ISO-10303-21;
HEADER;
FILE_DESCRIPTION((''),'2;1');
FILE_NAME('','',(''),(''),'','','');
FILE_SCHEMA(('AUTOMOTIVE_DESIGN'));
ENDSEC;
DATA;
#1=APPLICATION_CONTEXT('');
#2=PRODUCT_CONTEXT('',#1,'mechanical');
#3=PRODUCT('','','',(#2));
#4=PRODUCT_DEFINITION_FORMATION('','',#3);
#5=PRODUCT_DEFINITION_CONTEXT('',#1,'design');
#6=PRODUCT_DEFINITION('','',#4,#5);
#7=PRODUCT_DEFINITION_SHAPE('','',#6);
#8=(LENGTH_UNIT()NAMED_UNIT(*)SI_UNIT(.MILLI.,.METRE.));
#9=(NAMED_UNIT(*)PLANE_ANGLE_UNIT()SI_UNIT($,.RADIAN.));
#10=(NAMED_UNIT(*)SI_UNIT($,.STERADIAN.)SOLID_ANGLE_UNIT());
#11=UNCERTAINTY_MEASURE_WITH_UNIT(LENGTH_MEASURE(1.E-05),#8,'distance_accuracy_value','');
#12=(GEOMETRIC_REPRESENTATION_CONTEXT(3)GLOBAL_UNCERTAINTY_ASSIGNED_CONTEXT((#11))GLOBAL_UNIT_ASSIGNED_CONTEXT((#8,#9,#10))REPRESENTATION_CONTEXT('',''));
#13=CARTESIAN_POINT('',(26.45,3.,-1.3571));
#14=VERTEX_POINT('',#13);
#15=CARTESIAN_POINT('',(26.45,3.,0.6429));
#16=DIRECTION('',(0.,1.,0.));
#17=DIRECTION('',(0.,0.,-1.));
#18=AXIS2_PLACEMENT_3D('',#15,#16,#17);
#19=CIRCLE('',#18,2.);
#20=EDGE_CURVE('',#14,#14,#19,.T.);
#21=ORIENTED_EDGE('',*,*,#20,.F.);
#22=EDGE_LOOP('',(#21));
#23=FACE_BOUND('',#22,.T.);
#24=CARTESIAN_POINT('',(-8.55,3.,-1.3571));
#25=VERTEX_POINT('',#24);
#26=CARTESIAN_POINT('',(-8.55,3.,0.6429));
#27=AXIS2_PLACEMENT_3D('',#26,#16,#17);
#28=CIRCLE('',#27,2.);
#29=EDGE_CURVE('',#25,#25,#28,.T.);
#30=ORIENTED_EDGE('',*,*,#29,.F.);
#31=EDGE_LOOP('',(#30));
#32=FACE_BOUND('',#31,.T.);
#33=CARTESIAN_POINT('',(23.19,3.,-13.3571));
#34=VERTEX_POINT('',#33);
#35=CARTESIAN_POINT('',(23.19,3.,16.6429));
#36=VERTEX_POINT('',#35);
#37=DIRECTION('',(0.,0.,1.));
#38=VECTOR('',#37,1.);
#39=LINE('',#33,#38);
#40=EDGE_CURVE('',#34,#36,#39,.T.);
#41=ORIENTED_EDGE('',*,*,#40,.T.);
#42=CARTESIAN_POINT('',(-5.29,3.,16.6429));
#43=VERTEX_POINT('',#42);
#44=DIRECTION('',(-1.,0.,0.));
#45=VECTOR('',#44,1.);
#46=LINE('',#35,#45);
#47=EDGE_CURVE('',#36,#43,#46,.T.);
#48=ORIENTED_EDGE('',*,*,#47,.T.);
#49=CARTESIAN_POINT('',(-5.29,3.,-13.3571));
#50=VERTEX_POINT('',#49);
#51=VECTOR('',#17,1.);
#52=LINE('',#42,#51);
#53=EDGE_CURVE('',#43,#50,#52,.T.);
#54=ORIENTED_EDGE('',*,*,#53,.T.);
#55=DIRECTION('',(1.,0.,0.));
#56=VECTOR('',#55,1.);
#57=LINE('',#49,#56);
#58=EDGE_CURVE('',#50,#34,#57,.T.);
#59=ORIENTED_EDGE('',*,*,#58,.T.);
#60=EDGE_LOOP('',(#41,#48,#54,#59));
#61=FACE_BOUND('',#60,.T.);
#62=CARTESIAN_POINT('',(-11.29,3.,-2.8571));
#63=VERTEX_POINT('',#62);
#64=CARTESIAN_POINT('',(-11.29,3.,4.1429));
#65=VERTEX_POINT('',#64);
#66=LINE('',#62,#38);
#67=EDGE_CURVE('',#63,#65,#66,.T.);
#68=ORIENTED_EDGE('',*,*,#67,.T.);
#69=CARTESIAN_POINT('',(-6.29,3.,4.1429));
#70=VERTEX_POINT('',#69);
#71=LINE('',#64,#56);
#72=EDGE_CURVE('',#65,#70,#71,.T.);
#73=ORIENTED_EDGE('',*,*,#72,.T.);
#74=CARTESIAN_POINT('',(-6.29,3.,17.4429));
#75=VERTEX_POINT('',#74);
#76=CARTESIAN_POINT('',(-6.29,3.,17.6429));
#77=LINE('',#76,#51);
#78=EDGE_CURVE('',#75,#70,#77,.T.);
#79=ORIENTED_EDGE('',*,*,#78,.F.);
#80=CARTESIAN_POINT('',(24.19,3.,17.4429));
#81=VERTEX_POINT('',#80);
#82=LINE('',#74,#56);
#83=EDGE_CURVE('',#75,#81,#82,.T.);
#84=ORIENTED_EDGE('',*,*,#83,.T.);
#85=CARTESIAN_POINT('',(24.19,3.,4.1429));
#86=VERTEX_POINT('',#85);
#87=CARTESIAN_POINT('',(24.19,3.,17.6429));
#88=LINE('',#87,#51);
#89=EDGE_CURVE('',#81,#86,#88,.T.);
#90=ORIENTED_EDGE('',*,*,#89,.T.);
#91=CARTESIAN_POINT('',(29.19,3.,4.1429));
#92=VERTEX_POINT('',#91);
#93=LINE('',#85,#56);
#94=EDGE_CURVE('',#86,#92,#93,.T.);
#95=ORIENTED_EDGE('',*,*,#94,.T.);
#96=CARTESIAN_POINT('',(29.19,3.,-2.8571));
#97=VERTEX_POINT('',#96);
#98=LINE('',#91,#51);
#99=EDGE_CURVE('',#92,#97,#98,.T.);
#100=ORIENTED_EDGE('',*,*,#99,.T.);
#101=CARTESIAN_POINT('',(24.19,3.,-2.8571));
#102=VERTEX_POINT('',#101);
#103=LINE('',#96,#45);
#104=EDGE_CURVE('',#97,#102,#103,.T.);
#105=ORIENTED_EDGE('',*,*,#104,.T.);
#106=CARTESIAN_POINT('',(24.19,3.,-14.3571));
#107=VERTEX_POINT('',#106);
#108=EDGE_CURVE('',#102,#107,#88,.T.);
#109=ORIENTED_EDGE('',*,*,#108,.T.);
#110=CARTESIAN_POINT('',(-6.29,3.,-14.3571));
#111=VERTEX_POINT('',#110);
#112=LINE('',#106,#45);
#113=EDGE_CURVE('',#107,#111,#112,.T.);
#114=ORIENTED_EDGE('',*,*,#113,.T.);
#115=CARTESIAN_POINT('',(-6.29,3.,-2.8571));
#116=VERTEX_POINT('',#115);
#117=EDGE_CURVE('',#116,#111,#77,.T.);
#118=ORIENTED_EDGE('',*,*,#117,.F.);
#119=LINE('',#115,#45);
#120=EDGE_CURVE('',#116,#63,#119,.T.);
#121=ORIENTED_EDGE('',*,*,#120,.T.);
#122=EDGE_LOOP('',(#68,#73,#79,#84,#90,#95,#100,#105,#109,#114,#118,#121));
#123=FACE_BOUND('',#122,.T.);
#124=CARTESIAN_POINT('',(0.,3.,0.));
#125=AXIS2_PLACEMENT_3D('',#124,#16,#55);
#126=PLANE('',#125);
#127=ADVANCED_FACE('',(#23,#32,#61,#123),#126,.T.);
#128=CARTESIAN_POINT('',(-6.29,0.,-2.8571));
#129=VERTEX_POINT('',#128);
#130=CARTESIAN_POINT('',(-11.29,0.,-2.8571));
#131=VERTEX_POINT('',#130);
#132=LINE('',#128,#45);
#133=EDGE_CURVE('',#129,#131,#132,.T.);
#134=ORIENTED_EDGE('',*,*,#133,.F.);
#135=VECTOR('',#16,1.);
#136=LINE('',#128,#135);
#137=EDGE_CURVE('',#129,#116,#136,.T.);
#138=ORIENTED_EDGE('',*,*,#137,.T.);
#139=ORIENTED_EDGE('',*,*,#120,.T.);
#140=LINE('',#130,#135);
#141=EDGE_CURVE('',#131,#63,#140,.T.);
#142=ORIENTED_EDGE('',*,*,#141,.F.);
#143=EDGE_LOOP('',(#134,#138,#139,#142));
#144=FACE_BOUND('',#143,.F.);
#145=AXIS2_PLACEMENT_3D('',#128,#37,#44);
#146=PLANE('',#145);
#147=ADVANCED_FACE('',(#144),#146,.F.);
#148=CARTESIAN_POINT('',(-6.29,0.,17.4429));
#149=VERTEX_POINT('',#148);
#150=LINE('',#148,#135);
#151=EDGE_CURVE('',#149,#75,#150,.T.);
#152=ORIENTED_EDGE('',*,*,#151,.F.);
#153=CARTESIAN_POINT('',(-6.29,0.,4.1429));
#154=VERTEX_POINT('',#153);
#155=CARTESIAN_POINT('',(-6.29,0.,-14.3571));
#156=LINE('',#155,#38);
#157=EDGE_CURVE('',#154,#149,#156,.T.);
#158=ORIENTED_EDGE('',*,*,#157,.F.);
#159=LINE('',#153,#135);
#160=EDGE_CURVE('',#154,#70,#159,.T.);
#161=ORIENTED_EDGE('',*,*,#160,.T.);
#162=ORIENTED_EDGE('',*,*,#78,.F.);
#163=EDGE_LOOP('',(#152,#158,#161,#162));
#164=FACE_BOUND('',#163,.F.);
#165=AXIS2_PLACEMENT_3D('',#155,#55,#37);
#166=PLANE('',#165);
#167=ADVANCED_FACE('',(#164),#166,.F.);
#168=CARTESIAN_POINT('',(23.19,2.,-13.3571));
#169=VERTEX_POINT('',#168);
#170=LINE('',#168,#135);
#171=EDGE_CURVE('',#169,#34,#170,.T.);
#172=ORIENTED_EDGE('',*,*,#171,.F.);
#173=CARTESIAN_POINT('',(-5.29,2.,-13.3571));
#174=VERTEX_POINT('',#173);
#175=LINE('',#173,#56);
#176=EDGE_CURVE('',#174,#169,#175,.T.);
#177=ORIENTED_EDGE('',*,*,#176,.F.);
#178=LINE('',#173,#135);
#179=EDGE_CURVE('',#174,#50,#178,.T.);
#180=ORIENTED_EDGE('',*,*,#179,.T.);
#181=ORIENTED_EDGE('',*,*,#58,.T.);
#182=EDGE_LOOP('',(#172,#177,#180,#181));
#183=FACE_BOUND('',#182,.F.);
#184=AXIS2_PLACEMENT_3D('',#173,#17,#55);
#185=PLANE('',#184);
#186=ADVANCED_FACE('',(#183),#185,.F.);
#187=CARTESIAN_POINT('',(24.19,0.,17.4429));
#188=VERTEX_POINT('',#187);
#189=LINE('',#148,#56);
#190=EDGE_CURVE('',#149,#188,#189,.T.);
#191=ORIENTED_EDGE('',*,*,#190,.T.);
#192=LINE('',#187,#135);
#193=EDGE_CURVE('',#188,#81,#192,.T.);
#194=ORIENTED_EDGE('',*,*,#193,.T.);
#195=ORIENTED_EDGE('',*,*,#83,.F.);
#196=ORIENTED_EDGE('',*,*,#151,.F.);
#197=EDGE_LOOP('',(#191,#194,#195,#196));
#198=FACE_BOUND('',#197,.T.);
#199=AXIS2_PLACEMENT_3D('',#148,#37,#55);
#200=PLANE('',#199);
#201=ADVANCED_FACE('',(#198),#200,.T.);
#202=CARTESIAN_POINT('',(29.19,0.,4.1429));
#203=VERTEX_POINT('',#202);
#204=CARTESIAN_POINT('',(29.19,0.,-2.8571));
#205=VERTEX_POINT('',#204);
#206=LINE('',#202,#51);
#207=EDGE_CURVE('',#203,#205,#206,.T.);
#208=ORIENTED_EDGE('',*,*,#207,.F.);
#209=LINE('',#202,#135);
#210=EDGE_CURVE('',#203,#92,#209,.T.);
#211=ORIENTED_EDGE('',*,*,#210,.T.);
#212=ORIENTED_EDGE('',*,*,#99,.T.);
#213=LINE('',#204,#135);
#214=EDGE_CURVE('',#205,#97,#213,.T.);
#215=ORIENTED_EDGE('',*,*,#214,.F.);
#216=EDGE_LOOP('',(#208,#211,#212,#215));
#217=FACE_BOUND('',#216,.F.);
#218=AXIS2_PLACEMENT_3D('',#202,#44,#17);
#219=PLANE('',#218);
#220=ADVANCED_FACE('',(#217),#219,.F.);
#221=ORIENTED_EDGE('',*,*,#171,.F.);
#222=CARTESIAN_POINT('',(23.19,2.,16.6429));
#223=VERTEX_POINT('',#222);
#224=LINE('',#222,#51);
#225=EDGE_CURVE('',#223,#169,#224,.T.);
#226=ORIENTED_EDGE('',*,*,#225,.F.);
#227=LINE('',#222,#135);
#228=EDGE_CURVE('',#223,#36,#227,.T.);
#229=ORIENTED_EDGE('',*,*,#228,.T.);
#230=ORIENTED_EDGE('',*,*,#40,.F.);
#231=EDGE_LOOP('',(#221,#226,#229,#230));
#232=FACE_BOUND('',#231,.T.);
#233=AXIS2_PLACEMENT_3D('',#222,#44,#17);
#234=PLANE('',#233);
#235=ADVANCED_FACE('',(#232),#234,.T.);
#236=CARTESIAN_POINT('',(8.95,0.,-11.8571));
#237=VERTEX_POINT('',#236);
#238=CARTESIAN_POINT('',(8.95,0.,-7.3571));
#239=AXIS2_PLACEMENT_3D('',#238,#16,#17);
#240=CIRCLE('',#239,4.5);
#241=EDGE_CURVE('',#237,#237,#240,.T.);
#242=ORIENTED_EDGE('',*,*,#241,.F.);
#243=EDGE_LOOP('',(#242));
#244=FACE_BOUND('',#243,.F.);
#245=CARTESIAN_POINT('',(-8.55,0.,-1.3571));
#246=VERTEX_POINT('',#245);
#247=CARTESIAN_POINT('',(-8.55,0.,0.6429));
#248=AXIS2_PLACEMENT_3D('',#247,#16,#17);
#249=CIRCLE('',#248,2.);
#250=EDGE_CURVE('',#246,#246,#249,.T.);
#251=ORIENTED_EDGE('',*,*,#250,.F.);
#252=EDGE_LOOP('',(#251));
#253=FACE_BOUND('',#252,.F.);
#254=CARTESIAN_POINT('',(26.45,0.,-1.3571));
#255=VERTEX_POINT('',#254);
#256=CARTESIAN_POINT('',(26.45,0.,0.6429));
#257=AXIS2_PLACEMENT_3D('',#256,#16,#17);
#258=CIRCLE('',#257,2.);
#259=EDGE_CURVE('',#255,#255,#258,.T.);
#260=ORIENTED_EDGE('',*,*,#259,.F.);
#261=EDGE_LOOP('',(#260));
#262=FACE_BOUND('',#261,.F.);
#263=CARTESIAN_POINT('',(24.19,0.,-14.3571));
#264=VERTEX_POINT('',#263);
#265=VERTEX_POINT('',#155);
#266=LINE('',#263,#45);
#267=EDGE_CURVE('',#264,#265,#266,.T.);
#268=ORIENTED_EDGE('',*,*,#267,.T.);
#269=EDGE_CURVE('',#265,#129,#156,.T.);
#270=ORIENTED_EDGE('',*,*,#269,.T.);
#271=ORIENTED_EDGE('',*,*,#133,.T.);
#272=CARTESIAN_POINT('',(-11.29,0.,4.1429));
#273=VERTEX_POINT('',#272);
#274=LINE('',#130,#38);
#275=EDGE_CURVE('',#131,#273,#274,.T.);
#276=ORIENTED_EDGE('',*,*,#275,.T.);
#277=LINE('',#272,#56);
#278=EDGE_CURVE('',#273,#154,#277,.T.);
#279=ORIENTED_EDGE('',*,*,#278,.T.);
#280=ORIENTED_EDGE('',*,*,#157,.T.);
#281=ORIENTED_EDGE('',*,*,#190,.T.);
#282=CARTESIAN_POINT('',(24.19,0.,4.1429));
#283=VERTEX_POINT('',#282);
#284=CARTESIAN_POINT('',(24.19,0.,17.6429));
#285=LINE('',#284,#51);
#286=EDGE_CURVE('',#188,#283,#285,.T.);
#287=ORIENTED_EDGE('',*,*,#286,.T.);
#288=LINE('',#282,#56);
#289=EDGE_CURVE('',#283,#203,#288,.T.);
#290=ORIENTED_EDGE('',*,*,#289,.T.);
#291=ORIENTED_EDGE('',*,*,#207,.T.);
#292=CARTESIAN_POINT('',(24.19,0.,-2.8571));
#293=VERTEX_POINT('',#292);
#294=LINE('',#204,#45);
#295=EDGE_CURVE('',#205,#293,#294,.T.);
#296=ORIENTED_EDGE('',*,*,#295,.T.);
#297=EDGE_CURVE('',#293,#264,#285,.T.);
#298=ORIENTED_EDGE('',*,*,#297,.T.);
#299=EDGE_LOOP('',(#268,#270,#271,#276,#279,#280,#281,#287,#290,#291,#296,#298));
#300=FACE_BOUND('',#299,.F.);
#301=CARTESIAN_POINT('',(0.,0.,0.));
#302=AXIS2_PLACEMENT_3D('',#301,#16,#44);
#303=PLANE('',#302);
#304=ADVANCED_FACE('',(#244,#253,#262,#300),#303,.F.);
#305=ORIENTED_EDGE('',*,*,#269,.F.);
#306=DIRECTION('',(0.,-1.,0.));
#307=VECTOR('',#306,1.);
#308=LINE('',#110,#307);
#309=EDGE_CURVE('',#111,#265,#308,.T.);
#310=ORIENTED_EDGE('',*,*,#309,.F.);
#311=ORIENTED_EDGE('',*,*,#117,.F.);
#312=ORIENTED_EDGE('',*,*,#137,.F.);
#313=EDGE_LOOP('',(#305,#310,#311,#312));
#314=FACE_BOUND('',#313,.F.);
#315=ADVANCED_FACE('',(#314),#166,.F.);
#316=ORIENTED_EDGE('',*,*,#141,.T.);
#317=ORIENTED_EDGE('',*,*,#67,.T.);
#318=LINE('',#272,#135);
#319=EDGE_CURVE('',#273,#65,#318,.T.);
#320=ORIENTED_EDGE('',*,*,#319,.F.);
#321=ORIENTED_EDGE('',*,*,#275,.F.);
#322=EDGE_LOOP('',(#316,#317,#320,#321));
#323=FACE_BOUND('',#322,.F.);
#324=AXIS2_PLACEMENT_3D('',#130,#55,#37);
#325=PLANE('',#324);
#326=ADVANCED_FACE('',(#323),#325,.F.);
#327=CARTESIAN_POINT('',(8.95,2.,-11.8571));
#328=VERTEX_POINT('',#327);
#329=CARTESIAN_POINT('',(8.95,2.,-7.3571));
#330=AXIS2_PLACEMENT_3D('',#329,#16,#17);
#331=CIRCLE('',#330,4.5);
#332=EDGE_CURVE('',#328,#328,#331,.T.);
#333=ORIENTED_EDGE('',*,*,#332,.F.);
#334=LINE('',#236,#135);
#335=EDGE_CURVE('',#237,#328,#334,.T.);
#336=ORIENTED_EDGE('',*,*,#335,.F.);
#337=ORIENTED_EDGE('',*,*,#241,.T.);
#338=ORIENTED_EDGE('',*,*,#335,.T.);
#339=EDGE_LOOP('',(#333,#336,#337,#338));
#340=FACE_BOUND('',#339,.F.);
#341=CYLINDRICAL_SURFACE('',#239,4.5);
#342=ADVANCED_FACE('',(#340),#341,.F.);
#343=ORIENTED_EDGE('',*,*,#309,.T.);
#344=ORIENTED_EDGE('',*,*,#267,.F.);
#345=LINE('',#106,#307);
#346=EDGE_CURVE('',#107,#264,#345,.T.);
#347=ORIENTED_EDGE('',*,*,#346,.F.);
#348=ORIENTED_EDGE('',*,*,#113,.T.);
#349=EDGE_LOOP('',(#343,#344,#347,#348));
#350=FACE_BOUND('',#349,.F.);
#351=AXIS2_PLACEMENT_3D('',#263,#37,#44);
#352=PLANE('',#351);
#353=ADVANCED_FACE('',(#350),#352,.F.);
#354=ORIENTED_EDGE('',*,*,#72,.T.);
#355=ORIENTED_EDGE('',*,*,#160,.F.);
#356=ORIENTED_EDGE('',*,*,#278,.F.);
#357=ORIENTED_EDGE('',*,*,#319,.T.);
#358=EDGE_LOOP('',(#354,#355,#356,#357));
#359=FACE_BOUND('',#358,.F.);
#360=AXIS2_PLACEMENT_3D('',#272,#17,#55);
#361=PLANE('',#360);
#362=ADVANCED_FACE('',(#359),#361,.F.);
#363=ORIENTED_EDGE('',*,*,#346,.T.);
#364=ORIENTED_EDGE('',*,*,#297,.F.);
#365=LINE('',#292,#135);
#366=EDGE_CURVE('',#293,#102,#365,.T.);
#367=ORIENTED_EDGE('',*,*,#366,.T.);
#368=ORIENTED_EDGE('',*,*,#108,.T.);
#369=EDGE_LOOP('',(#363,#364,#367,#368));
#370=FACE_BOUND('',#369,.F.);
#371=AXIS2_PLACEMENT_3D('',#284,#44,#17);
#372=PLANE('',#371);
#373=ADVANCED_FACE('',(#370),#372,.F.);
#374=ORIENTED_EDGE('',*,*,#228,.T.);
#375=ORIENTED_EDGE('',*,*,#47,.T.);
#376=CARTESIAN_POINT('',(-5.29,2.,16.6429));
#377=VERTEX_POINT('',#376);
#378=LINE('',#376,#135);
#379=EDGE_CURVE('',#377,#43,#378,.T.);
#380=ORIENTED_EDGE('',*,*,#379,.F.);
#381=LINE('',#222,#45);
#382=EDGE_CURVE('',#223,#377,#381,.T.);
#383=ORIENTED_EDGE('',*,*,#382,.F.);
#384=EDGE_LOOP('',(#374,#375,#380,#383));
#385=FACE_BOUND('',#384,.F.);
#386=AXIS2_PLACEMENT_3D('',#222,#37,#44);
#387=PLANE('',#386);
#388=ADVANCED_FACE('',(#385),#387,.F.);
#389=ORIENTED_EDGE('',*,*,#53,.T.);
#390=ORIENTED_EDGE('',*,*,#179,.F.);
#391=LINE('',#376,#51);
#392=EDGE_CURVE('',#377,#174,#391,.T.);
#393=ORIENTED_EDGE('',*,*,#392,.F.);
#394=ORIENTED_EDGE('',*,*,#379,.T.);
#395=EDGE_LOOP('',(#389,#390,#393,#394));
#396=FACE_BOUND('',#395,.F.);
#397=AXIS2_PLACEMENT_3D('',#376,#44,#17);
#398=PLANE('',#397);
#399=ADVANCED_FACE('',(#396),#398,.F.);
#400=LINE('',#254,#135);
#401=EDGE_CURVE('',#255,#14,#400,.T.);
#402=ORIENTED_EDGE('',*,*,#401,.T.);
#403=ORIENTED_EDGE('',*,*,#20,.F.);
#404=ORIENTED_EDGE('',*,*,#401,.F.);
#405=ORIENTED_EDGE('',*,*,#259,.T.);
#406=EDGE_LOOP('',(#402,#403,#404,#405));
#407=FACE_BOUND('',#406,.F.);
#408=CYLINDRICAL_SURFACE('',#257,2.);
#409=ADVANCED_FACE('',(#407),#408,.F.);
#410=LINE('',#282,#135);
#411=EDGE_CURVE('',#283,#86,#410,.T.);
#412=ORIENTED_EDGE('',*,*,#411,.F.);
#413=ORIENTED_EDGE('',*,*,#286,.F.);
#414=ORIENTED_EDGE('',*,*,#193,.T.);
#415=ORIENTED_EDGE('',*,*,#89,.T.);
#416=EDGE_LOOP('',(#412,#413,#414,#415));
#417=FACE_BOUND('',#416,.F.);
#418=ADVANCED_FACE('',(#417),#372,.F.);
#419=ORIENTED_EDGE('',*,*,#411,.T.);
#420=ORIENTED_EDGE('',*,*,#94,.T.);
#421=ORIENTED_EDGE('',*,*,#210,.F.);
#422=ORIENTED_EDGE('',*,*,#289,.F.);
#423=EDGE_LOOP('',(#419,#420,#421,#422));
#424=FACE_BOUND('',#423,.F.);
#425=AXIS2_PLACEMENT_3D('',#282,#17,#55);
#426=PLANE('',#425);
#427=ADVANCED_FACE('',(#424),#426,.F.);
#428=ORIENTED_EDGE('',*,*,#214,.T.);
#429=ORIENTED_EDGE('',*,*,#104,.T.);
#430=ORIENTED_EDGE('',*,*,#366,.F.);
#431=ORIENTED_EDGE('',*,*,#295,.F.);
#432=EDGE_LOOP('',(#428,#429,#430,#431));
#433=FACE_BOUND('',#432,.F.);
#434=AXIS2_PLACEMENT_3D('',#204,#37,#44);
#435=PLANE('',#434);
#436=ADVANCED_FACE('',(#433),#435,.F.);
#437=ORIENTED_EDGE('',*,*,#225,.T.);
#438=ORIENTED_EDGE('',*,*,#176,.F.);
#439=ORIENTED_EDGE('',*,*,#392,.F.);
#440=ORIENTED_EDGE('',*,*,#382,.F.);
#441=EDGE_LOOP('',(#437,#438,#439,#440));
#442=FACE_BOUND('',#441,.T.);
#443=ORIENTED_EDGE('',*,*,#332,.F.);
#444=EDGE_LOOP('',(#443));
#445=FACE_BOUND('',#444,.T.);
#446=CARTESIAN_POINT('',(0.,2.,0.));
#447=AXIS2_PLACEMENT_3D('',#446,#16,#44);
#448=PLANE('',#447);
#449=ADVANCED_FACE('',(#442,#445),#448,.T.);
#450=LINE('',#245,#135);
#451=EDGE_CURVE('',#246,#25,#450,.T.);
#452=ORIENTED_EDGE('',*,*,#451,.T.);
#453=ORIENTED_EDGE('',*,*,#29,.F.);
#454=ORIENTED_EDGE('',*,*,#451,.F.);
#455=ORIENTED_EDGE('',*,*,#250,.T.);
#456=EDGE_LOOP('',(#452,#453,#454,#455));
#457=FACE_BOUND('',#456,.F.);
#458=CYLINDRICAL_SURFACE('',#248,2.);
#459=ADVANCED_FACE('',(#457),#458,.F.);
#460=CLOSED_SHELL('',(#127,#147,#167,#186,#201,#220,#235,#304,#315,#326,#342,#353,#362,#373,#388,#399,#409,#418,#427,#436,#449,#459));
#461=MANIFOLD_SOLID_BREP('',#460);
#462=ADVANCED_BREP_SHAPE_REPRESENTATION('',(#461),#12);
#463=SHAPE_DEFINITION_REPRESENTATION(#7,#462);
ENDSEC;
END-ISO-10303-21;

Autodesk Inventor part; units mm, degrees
ref_plane "YZ Plane" through (0, 0, 0) normal (1, 0, 0) x (0, 1, 0)
ref_plane "XZ Plane" through (0, 0, 0) normal (0, 1, 0) x (-1, 0, 0)
ref_plane "XY Plane" through (0, 0, 0) normal (0, 0, 1) x (1, 0, 0)
sketch "Sketch1" plane through (0, 0, 0) normal (0, 1, 0) x (-1, 0, 0)
  line L0 (6.29, 17.6429) -> (-24.19, 17.6429)
  line L1 (-24.19, 17.6429) -> (-24.19, -14.3571)
  line L2 (-24.19, -14.3571) -> (6.29, -14.3571)
  line L3 (6.29, -14.3571) -> (6.29, 17.6429)
  point P0 (0, 0)
  dimension "d0" = 30.48
  dimension "d1" = 32
extrude "Extrusion1" add sketch "Sketch1" along normal blind 2
sketch "Sketch3" plane through (0, 2, 0) normal (0, 1, 0) x (1, 0, 0)
  line L0 (-6.29, -17.6429) -> (24.19, -17.6429) projected
  line L1 (-6.29, -17.6429) -> (-6.29, -16.6429)
  line L2 (-6.29, 14.3571) -> (-6.29, -17.6429) projected
  line L3 (-6.29, -16.6429) -> (-5.29, -16.6429)
  line L4 (-5.29, -16.6429) -> (-5.29, 13.3571)
  line L5 (24.19, 14.3571) -> (-6.29, 14.3571) projected
  line L6 (24.19, -17.6429) -> (24.19, 14.3571) projected
  line L7 (24.19, -17.6429) -> (23.19, -17.6429)
  line L8 (23.19, -17.6429) -> (23.19, -16.6429)
  line L9 (23.19, -16.6429) -> (23.19, 3.3571)
  line L10 (23.19, -16.6429) -> (-5.29, -16.6429)
  line L11 (-5.29, -16.6429) -> (-5.29, 13.3571)
  line L12 (-5.29, 13.3571) -> (23.19, 13.3571)
  line L13 (23.19, 13.3571) -> (23.19, -16.6429)
  point P0 (0, 0)
  dimension "d4" = 1
  dimension "d5" = 1
  dimension "d6" = 30
  dimension "d7" = 1
extrude "Extrusion3" add sketch "Sketch3" along normal blind 1 contours L1 L3 L10 L8 L0 | L8 L9 L13 L12 L4 L3 L2 L5 L6 L0
sketch "Sketch4" plane through (0, 0, 0) normal (0, -1, 0) x (1, 0, 0)
  line L0 (24.19, -14.3571) -> (-6.29, -14.3571) projected
  line L1 (8.95, -14.3571) -> (8.95, -7.3571)
  point P0 (0, 0)
  dimension "d12" = 7
hole "Hole1" at (8.95, 0, -7.3571) direction (0, 1, 0) diameter 9 end through all
sketch "Sketch5" plane through (0, 3, 0) normal (0, 1, 0) x (1, 0, 0)
  line L0 (-6.29, -17.6429) -> (24.19, -17.6429) projected
  line L1 (8.95, -17.6429) -> (8.95, -0.6429)
  line L2 (8.95, -0.6429) -> (24.19, -0.6429)
  line L3 (24.19, -17.6429) -> (24.19, 14.3571) projected
  line L4 (24.19, -0.6429) -> (24.19, -4.1429)
  line L5 (24.19, -4.1429) -> (23.19, -4.1429)
  line L6 (23.19, -16.6429) -> (23.19, 13.3571) projected
  line L7 (23.19, -4.1429) -> (23.19, 2.8571)
  line L8 (23.19, 2.8571) -> (24.19, 2.8571)
  line L9 (24.19, 2.8571) -> (24.19, -4.1429)
  line L10 (-5.29, -16.6429) -> (-5.29, 13.3571) projected
  line L11 (-5.29, -0.6429) -> (-5.29, -4.1429)
  line L12 (-5.29, -4.1429) -> (-6.29, -4.1429)
  line L13 (-6.29, 14.3571) -> (-6.29, -17.6429) projected
  line L14 (-6.29, -4.1429) -> (-6.29, 2.8571)
  line L15 (-6.29, 2.8571) -> (-5.29, 2.8571)
  line L16 (-5.29, -0.6429) -> (-5.29, 2.8571)
  point P0 (0, 0)
  dimension "d20" = 17
  dimension "d21" = 3.5
  dimension "d22" = 7
  dimension "d23" = 7
sketch "Sketch6" plane through (0, 0, 0) normal (0, -1, 0) x (1, 0, 0)
  line L0 (-5.29, 4.1429) -> (-6.29, 4.1429) projected
  line L1 (-6.29, -2.8571) -> (-5.29, -2.8571) projected
  line L2 (23.19, -2.8571) -> (24.19, -2.8571) projected
  line L3 (24.19, 4.1429) -> (23.19, 4.1429) projected
  line L4 (-5.29, -13.3571) -> (-5.29, 16.6429) projected
  line L5 (-6.29, -14.3571) -> (-6.29, 17.6429) projected
  line L6 (23.19, 16.6429) -> (23.19, -13.3571) projected
  line L7 (24.19, 17.6429) -> (24.19, -14.3571) projected
  line L8 (24.19, 4.1429) -> (29.19, 4.1429)
  line L9 (29.19, 4.1429) -> (29.19, -2.8571)
  line L10 (29.19, -2.8571) -> (24.19, -2.8571)
  line L11 (-6.29, -2.8571) -> (-11.29, -2.8571)
  line L12 (-11.29, -2.8571) -> (-11.29, 4.1429)
  line L13 (-11.29, 4.1429) -> (-6.29, 4.1429)
  point P0 (0, 0)
  dimension "d26" = 5
  dimension "d27" = 5
extrude "Extrusion5" add sketch "Sketch6" against normal blind 3 contours L5 L11 L12 L13 | L7 L8 L9 L10
sketch "Sketch7" plane through (0, 0, 0) normal (0, -1, 0) x (1, 0, 0)
  line L0 (-6.29, 17.6429) -> (24.19, 17.6429) projected
  line L1 (8.95, 17.6429) -> (8.95, 0.6429)
  line L2 (8.95, 0.6429) -> (26.45, 0.6429)
  line L3 (26.45, 0.6429) -> (-8.55, 0.6429)
  point P0 (0, 0)
  dimension "d30" = 17
  dimension "d31" = 17.5
  dimension "d32" = 35
hole "Hole2" at (-8.55, 0, 0.6429) at (26.45, 0, 0.6429) direction (0, 1, 0) diameter 4 end through all
sketch "Sketch8" plane through (-6.29, 0, 17.6429) normal (0, 0, 1) x (1, 0, 0)
  line L0 (0, 0) -> (0, 3) projected
  line L1 (1, 3) -> (0, 3) projected
  line L2 (1, 3) -> (1, 3.5) projected
  line L3 (0, 3.5) -> (1, 3.5) projected
  line L4 (-5, 0) -> (-5, 3.25) projected
  line L5 (0, 0) -> (-5, 0) projected
  line L6 (0, 3) -> (0, 0) projected
  line L7 (0, 0) -> (30.48, 0) projected
  line L8 (30.48, 0) -> (30.48, 3) projected
  line L9 (0, 3) -> (30.48, 3) projected
  line L10 (0, 0) -> (0, 3) projected
  line L11 (0, 3.25) -> (0, 3.5) projected
  line L12 (-5, 3.25) -> (0, 3.25) projected
  point P0 (6.29, 0)
extrude "Extrusion6" cut sketch "Sketch8" against normal blind 0.2 contours L0 L1 L9 L8 L7
properties part number "sheel"
